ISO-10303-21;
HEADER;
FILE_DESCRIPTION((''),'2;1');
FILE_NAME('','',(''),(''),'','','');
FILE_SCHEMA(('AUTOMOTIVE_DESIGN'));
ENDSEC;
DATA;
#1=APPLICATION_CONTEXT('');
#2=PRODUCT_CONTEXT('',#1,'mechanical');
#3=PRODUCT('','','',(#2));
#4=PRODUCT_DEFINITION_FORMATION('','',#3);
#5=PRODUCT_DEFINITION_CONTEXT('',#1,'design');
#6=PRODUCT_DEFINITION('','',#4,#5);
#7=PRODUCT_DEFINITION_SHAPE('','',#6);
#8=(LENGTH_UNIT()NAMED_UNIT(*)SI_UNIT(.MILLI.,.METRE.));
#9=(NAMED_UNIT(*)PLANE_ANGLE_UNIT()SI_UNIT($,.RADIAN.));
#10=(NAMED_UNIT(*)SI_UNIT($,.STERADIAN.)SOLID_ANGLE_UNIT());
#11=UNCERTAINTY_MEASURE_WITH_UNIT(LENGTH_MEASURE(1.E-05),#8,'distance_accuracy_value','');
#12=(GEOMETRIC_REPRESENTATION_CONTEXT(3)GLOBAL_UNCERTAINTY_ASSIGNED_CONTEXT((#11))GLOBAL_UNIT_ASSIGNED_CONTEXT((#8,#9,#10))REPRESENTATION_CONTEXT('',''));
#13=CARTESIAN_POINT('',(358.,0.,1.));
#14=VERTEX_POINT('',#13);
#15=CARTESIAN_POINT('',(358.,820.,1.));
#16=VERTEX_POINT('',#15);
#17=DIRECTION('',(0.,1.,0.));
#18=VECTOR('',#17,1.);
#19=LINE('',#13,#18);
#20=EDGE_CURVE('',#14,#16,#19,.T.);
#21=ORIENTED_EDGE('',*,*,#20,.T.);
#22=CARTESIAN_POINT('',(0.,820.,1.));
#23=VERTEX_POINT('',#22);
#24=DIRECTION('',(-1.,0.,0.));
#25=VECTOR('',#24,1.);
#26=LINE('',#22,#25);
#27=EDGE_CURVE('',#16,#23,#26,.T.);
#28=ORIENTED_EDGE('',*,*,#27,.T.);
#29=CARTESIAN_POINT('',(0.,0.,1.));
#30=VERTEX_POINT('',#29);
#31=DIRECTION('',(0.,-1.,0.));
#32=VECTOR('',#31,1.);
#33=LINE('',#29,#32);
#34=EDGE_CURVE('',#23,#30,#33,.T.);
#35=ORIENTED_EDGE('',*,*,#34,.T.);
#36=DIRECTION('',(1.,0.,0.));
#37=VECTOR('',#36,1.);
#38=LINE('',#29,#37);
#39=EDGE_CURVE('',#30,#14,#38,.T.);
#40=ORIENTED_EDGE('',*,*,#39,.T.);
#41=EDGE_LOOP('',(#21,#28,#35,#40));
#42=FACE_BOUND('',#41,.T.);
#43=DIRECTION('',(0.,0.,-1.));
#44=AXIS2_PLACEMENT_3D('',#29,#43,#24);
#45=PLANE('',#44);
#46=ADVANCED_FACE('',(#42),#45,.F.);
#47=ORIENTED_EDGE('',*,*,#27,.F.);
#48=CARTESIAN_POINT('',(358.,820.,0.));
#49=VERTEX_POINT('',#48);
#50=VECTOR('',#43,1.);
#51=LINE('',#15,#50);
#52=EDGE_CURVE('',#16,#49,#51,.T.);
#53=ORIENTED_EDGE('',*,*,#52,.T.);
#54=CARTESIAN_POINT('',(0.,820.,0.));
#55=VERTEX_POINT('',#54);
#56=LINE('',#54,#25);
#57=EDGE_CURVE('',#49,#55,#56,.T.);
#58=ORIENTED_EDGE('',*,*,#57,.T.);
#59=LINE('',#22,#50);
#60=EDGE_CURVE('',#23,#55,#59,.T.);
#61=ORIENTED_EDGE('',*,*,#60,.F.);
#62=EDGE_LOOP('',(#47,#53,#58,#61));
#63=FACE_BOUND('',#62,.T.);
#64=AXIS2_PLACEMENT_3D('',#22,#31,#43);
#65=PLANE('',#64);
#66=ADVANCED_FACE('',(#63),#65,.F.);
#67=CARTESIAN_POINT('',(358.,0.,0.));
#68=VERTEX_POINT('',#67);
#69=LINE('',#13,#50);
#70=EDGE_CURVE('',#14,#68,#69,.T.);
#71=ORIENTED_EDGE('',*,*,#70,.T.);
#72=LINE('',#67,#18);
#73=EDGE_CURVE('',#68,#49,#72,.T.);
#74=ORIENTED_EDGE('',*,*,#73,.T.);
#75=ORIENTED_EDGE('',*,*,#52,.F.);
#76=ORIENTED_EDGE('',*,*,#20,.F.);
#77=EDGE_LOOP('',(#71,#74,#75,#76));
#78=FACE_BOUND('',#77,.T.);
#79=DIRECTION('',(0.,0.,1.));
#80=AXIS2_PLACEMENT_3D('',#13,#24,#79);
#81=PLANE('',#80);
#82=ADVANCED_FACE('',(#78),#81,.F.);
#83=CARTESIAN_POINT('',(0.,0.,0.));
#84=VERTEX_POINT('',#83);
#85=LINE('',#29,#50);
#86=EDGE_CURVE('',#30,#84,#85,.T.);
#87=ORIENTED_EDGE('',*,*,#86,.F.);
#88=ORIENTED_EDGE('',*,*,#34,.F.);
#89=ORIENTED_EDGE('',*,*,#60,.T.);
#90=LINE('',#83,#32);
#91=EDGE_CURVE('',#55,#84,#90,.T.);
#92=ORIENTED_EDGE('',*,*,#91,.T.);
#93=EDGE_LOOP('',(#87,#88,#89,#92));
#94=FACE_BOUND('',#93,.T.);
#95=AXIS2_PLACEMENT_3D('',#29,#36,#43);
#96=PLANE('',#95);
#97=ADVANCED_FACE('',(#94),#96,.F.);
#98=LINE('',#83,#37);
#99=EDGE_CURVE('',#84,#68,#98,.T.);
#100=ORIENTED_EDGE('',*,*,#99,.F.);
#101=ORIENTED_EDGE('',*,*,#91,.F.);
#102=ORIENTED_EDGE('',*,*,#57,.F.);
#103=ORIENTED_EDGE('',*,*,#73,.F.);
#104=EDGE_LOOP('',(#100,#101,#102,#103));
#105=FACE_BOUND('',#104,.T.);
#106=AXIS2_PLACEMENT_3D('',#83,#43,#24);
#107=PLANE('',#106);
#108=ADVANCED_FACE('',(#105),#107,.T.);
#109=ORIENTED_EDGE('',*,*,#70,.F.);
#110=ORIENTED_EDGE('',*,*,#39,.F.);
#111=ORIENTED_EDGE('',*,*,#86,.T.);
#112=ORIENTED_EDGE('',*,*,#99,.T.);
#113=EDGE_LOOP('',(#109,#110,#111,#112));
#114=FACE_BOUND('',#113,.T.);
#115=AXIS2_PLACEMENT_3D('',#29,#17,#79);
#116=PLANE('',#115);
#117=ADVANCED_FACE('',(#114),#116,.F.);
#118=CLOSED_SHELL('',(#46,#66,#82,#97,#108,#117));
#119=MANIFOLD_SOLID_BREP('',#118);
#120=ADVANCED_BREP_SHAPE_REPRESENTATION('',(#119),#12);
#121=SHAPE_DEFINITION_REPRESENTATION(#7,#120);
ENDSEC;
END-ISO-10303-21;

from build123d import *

# Parameters (mm, degrees)
SKETCH_1_W      = 358
SKETCH_1_H      = 820
EXTRUDE_1_DEPTH = 1


with BuildPart() as part:
    # 스케치1 → 보스-돌출1 (new body)
    with BuildSketch(Plane.XY):
        with Locations((179, 410)):
            Rectangle(SKETCH_1_W, SKETCH_1_H)
    extrude(amount=EXTRUDE_1_DEPTH)


solid = part.part
